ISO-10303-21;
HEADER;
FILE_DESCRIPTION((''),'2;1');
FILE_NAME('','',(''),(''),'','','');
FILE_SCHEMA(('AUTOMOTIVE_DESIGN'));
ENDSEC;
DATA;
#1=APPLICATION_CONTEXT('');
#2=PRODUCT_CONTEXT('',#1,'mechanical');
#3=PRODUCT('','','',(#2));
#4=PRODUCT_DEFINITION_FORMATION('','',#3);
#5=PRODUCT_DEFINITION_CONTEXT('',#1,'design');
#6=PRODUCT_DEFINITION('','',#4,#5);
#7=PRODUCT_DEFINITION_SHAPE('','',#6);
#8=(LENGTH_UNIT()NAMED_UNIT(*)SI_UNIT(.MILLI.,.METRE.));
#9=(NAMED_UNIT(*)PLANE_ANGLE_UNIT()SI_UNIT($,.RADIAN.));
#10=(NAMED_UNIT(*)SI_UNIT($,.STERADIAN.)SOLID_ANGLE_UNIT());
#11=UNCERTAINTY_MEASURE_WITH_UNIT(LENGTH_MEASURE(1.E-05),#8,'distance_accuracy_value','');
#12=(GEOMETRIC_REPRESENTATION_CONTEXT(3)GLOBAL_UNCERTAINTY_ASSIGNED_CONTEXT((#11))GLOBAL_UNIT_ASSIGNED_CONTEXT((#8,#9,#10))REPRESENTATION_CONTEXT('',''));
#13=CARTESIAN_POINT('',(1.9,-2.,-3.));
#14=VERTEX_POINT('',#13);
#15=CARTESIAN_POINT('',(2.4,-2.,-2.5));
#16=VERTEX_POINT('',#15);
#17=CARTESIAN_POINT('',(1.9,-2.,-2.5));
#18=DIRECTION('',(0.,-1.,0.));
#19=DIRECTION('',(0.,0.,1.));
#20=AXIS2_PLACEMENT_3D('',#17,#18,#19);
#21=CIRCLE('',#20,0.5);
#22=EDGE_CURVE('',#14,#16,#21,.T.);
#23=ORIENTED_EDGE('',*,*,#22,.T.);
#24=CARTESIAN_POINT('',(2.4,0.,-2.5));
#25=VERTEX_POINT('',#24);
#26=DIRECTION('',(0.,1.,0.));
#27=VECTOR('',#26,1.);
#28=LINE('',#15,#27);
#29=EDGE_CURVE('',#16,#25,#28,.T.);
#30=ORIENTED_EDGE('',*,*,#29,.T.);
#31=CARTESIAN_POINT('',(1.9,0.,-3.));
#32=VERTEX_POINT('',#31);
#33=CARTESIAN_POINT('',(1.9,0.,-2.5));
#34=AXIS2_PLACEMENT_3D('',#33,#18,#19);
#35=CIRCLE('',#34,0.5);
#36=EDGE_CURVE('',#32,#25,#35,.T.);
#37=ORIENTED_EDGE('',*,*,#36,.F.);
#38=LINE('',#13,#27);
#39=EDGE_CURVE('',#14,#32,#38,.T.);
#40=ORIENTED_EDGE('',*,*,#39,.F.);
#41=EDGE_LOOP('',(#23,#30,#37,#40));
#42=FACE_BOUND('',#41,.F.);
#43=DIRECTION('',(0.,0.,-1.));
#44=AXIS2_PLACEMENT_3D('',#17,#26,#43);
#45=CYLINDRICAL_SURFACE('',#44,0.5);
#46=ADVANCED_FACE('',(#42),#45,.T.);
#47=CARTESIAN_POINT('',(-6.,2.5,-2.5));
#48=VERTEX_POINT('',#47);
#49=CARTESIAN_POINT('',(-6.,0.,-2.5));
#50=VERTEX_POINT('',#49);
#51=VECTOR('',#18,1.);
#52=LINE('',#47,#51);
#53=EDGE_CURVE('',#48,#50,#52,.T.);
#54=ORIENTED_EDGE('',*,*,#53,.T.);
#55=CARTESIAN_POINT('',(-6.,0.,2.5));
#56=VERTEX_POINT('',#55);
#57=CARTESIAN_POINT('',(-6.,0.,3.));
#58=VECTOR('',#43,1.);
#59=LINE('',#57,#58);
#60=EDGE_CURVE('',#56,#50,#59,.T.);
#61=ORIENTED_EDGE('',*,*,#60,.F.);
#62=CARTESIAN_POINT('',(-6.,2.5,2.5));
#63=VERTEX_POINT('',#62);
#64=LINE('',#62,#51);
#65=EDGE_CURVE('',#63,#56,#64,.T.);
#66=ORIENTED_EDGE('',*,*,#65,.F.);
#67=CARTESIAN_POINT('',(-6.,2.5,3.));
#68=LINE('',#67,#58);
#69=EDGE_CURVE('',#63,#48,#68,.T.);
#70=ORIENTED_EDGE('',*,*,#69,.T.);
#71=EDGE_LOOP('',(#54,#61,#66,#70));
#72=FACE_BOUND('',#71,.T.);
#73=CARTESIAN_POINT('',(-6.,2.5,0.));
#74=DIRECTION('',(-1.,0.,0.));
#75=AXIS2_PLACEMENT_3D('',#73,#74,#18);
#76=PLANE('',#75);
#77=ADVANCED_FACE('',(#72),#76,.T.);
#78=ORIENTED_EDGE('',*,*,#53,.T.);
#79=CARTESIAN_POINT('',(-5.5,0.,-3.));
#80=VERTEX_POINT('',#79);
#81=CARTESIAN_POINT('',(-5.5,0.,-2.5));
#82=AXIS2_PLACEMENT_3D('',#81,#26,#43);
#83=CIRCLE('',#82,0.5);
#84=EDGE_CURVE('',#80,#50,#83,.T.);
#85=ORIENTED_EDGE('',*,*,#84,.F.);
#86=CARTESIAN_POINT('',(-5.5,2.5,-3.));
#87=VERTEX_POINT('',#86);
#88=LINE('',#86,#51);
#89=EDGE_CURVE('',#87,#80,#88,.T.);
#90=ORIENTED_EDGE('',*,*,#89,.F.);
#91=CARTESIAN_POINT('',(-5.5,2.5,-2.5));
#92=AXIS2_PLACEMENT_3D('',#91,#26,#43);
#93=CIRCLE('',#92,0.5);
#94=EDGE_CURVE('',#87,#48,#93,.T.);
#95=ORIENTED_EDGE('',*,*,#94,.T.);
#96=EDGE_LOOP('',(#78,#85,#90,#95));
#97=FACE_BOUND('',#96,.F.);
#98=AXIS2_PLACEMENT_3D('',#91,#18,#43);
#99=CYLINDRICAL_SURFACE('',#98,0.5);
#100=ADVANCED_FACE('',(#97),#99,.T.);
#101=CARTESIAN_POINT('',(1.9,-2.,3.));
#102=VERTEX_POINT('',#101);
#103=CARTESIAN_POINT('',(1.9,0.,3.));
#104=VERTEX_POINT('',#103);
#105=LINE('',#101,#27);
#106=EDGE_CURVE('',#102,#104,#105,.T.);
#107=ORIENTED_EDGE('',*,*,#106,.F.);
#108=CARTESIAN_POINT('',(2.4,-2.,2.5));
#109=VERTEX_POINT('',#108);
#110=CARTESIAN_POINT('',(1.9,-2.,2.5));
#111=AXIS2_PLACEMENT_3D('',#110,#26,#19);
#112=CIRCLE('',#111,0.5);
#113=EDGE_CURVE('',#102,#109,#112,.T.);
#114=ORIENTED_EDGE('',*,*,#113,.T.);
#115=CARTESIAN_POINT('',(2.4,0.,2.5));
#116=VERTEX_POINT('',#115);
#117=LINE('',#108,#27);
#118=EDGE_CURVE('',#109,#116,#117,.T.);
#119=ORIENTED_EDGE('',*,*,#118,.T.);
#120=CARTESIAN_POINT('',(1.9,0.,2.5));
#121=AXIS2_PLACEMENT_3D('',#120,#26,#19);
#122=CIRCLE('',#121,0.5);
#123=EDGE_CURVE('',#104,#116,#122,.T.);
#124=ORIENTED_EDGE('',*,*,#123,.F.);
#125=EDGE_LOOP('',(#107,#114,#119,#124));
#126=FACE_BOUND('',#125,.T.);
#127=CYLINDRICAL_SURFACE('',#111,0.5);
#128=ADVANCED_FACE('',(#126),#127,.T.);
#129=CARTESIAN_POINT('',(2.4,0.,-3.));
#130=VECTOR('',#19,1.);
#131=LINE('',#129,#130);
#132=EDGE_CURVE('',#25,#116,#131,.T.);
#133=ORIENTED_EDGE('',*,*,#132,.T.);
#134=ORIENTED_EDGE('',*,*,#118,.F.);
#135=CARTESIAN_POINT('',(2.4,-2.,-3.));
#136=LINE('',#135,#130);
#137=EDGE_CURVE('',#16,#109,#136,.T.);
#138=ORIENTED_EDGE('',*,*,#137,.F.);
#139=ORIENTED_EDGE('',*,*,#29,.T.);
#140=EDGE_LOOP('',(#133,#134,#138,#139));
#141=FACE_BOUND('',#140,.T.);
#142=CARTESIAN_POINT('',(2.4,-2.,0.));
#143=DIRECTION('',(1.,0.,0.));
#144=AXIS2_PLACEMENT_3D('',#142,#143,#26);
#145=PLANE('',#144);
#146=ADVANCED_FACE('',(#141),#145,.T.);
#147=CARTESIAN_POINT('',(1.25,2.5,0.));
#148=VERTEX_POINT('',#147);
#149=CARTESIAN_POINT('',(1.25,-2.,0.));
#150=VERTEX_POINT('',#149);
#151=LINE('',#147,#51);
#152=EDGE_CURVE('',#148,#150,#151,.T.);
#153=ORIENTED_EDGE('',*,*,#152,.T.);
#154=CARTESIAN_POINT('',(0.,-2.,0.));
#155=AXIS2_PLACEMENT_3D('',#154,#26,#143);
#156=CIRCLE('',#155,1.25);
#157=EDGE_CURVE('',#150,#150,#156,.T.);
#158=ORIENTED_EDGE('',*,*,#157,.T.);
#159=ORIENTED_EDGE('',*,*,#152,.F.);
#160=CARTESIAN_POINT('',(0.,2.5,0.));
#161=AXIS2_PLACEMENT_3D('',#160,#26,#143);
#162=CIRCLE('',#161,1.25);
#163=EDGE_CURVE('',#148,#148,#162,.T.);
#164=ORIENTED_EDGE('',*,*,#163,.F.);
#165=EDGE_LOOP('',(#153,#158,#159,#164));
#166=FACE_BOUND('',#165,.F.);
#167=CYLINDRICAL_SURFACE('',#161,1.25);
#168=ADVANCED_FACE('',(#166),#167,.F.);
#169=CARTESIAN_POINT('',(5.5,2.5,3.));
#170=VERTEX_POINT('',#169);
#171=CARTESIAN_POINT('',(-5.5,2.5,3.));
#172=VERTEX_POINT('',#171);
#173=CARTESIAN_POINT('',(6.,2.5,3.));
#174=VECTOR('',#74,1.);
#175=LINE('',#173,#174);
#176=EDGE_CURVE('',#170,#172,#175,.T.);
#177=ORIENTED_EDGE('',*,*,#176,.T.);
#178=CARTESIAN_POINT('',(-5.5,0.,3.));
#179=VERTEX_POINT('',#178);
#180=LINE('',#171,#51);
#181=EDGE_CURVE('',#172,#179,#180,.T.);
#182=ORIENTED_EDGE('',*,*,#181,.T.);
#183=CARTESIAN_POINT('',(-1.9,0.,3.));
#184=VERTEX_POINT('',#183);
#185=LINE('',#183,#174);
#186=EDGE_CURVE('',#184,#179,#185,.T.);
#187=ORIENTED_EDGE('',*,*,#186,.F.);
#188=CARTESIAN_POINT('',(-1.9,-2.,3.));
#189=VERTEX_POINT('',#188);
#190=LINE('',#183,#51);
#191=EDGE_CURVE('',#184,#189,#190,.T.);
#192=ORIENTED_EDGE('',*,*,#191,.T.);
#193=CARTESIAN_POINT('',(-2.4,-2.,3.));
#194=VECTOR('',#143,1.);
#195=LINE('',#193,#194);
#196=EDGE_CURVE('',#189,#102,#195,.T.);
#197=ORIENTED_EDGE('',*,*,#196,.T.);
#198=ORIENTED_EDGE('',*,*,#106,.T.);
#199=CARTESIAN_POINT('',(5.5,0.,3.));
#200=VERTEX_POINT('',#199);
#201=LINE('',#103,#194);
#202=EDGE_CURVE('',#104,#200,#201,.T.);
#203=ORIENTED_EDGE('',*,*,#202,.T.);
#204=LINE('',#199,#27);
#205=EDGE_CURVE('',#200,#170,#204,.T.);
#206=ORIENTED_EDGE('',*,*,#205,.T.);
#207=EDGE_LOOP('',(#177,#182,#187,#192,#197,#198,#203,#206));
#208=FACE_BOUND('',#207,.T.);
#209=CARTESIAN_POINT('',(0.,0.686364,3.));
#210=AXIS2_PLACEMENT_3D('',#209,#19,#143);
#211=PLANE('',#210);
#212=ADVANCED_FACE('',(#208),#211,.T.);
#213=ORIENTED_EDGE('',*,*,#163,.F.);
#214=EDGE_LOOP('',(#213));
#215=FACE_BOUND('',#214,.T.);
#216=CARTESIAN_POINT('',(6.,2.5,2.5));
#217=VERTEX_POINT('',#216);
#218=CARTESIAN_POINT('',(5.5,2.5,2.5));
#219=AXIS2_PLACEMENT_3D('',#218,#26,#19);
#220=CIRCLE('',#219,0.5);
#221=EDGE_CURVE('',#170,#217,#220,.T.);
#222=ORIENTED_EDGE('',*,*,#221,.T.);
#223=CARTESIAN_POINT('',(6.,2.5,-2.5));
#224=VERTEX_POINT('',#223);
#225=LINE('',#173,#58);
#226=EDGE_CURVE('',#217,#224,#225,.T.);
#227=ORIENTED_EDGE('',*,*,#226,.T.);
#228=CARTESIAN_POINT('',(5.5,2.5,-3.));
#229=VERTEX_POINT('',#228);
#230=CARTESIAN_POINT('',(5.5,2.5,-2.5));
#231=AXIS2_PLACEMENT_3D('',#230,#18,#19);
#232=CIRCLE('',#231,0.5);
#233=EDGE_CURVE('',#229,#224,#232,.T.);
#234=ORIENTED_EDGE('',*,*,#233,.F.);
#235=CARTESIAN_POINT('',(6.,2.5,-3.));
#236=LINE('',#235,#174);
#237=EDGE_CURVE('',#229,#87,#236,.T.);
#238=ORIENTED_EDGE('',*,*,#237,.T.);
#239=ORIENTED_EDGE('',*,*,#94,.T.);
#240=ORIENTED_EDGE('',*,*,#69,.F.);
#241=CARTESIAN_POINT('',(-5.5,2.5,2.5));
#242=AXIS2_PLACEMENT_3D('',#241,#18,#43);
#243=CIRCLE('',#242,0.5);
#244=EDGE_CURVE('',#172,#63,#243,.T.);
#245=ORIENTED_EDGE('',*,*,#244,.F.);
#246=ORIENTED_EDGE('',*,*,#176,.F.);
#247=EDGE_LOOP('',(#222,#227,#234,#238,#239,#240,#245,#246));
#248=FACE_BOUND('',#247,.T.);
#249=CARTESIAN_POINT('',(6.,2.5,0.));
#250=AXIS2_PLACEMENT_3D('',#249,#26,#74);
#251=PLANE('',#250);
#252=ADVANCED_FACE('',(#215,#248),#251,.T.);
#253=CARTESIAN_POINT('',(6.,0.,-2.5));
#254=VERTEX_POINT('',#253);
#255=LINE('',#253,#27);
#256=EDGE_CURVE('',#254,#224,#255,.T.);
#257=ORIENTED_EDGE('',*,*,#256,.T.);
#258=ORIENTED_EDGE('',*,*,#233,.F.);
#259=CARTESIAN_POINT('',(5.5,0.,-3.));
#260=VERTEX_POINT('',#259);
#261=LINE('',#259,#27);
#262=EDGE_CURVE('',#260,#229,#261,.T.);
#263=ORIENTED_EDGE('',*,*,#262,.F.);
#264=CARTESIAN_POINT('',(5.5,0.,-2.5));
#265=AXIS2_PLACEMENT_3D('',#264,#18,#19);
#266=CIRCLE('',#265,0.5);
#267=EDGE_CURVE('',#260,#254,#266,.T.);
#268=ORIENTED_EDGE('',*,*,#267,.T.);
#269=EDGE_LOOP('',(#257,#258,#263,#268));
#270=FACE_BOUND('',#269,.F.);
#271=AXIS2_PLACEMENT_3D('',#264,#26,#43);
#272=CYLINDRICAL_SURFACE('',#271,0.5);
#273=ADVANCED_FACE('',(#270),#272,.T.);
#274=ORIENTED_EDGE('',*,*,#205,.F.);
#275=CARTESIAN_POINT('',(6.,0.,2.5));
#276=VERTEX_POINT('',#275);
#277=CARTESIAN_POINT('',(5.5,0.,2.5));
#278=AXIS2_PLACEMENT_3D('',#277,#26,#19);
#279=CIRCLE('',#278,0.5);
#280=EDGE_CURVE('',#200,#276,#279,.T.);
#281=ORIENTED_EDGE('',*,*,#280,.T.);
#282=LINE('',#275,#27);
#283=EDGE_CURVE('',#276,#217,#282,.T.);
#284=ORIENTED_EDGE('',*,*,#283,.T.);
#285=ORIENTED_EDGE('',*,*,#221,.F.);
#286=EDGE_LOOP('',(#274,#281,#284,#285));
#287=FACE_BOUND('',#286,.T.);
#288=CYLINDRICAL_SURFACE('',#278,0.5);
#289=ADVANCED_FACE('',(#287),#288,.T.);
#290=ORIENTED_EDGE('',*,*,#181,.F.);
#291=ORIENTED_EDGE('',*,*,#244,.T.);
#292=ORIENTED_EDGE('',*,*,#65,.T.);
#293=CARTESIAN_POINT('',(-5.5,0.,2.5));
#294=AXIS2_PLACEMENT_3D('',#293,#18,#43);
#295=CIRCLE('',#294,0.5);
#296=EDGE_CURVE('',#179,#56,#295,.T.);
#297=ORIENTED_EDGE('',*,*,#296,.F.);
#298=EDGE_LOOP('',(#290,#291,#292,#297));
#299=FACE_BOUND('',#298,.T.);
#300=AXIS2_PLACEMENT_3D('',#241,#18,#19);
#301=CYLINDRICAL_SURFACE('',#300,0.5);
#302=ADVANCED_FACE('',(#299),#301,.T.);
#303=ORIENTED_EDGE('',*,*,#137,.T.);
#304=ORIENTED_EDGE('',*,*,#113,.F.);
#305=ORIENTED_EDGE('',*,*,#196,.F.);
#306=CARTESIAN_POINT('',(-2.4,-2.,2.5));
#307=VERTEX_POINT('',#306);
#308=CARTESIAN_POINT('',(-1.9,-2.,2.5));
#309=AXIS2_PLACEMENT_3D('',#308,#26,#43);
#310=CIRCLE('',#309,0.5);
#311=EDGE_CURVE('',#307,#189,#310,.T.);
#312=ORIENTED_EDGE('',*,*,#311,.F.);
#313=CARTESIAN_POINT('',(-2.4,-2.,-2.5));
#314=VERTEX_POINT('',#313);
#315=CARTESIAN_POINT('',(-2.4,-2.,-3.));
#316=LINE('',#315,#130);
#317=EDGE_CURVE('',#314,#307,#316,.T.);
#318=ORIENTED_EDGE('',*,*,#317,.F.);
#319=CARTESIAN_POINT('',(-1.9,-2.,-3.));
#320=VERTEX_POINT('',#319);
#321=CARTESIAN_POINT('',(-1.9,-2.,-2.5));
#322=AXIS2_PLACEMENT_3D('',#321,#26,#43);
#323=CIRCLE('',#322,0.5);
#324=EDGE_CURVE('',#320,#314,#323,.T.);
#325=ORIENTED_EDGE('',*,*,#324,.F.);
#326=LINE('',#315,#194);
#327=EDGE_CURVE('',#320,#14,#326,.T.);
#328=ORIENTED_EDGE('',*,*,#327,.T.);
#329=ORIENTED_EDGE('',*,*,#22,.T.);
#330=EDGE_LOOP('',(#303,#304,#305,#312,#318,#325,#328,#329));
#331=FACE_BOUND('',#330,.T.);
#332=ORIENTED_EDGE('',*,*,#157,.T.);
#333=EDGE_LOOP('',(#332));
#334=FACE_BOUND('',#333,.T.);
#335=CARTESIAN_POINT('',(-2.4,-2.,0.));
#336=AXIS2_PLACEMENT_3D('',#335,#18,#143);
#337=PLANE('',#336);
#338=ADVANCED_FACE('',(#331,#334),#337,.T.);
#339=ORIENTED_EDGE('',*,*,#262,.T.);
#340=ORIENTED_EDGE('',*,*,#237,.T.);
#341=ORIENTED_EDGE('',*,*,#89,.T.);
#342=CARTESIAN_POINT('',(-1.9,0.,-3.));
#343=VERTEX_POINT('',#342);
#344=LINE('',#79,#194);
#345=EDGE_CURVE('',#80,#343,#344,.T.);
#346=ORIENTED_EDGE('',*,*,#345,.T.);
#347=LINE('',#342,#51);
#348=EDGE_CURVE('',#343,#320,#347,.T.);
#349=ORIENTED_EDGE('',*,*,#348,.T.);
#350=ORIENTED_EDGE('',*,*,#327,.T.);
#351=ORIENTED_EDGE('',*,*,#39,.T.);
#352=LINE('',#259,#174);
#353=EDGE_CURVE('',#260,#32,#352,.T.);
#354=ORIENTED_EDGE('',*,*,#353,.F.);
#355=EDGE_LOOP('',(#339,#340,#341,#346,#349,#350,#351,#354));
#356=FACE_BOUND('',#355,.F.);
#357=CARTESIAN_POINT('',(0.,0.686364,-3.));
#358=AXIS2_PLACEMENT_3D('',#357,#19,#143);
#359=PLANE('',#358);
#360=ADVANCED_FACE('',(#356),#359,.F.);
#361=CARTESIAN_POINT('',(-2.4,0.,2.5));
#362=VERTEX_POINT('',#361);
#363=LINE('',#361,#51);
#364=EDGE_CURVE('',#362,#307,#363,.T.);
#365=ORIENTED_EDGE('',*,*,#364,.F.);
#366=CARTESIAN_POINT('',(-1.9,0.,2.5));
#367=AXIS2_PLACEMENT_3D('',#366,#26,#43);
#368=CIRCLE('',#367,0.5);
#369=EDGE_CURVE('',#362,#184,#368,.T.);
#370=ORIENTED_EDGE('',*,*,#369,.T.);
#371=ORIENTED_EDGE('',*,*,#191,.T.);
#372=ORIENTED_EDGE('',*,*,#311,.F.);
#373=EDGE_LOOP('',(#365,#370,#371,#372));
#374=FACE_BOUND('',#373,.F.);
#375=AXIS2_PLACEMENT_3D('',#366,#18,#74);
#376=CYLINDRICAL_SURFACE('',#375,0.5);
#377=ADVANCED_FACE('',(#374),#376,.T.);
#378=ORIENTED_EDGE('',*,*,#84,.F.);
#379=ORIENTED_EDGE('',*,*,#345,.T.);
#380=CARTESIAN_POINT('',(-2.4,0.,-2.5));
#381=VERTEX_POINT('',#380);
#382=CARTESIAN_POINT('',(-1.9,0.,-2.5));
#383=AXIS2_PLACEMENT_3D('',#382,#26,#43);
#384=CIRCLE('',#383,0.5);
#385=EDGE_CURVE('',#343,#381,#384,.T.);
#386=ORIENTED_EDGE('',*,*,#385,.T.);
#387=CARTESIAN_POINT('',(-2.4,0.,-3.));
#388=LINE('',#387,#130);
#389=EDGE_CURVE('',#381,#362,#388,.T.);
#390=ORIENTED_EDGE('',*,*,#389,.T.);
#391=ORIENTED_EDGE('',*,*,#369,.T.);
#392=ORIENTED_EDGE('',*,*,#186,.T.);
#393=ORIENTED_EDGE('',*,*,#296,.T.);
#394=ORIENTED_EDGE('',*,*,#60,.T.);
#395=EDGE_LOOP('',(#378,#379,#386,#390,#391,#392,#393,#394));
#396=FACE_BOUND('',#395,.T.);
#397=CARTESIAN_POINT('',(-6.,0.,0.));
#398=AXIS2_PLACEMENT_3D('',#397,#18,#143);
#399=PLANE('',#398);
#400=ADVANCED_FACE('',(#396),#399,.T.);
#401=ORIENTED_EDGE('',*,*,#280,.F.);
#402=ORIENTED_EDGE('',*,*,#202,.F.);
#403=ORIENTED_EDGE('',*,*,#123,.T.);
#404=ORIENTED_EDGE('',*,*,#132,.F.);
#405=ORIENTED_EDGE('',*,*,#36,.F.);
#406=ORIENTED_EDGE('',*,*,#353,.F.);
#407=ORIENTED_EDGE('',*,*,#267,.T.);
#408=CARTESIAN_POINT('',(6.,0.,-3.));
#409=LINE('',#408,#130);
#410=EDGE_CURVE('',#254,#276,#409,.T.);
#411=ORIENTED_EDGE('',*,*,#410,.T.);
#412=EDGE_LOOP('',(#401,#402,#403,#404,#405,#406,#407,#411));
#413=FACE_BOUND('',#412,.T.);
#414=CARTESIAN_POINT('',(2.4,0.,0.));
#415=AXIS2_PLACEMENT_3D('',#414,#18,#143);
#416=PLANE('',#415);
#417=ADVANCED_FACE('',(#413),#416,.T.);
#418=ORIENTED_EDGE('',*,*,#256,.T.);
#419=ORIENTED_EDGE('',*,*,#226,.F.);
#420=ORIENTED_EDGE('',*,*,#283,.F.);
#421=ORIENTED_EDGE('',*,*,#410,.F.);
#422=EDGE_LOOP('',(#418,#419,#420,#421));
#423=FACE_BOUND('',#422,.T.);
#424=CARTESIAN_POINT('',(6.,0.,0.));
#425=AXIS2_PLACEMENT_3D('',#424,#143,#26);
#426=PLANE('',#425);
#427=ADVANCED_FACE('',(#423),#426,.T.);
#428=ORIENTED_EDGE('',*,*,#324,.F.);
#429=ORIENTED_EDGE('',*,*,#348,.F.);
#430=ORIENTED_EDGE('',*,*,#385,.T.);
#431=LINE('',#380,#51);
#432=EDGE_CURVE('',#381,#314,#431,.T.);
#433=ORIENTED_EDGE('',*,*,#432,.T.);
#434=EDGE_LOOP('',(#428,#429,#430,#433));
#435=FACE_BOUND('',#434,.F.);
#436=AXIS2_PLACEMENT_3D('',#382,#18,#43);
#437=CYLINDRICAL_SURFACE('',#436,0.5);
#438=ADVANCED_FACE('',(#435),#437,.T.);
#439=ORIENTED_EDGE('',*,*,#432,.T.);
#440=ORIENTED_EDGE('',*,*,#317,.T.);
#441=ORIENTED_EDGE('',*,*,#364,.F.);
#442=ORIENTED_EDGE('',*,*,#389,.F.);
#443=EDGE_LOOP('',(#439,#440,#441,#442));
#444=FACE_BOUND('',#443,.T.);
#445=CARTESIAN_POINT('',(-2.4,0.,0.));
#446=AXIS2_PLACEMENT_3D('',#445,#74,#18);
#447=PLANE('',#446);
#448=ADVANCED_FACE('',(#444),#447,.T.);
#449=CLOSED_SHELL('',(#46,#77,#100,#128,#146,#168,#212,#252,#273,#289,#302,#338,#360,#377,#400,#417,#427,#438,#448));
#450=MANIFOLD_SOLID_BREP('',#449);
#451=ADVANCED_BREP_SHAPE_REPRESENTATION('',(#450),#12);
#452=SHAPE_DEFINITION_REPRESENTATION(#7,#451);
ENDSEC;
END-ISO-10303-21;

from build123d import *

# Parameters (mm, degrees)
BOSS_EXTRU_1_DEPTH      = 3
ESQUISSE2_R             = 1.25
ENL_V_MAT_EXTRU_1_DEPTH = 5.5
CONG_1_R                = 0.5


with BuildPart() as part:
    # Esquisse1 → Boss.-Extru.1 (new body, symmetric)
    with BuildSketch(Plane.XY):
        Polygon((-6, 0), (-2.4, 0), (-2.4, -2), (2.4, -2), (2.4, 0), (6, 0), (6, 2.5), (-6, 2.5), align=None)
    extrude(amount=BOSS_EXTRU_1_DEPTH, both=True)

    # Esquisse2 → Enlèv. mat.-Extru.1 (cut, through all)
    with BuildSketch(Plane(origin=(0, 2.5, 0), x_dir=(1, 0, 0), z_dir=(0, 1, 0))):
        Circle(ESQUISSE2_R)
    extrude(amount=-ENL_V_MAT_EXTRU_1_DEPTH, mode=Mode.SUBTRACT)

    # Congé1
    cong_1_edges = [part.edges().sort_by_distance(p)[0] for p in [
        (-6, 1.25, -3),
        (6, 1.25, -3),
        (-6, 1.25, 3),
        (-2.4, -1, 3),
        (2.4, -1, 3),
        (6, 1.25, 3),
        (2.4, -1, -3),
        (-2.4, -1, -3),
    ]]
    fillet(cong_1_edges, radius=CONG_1_R)


solid = part.part
